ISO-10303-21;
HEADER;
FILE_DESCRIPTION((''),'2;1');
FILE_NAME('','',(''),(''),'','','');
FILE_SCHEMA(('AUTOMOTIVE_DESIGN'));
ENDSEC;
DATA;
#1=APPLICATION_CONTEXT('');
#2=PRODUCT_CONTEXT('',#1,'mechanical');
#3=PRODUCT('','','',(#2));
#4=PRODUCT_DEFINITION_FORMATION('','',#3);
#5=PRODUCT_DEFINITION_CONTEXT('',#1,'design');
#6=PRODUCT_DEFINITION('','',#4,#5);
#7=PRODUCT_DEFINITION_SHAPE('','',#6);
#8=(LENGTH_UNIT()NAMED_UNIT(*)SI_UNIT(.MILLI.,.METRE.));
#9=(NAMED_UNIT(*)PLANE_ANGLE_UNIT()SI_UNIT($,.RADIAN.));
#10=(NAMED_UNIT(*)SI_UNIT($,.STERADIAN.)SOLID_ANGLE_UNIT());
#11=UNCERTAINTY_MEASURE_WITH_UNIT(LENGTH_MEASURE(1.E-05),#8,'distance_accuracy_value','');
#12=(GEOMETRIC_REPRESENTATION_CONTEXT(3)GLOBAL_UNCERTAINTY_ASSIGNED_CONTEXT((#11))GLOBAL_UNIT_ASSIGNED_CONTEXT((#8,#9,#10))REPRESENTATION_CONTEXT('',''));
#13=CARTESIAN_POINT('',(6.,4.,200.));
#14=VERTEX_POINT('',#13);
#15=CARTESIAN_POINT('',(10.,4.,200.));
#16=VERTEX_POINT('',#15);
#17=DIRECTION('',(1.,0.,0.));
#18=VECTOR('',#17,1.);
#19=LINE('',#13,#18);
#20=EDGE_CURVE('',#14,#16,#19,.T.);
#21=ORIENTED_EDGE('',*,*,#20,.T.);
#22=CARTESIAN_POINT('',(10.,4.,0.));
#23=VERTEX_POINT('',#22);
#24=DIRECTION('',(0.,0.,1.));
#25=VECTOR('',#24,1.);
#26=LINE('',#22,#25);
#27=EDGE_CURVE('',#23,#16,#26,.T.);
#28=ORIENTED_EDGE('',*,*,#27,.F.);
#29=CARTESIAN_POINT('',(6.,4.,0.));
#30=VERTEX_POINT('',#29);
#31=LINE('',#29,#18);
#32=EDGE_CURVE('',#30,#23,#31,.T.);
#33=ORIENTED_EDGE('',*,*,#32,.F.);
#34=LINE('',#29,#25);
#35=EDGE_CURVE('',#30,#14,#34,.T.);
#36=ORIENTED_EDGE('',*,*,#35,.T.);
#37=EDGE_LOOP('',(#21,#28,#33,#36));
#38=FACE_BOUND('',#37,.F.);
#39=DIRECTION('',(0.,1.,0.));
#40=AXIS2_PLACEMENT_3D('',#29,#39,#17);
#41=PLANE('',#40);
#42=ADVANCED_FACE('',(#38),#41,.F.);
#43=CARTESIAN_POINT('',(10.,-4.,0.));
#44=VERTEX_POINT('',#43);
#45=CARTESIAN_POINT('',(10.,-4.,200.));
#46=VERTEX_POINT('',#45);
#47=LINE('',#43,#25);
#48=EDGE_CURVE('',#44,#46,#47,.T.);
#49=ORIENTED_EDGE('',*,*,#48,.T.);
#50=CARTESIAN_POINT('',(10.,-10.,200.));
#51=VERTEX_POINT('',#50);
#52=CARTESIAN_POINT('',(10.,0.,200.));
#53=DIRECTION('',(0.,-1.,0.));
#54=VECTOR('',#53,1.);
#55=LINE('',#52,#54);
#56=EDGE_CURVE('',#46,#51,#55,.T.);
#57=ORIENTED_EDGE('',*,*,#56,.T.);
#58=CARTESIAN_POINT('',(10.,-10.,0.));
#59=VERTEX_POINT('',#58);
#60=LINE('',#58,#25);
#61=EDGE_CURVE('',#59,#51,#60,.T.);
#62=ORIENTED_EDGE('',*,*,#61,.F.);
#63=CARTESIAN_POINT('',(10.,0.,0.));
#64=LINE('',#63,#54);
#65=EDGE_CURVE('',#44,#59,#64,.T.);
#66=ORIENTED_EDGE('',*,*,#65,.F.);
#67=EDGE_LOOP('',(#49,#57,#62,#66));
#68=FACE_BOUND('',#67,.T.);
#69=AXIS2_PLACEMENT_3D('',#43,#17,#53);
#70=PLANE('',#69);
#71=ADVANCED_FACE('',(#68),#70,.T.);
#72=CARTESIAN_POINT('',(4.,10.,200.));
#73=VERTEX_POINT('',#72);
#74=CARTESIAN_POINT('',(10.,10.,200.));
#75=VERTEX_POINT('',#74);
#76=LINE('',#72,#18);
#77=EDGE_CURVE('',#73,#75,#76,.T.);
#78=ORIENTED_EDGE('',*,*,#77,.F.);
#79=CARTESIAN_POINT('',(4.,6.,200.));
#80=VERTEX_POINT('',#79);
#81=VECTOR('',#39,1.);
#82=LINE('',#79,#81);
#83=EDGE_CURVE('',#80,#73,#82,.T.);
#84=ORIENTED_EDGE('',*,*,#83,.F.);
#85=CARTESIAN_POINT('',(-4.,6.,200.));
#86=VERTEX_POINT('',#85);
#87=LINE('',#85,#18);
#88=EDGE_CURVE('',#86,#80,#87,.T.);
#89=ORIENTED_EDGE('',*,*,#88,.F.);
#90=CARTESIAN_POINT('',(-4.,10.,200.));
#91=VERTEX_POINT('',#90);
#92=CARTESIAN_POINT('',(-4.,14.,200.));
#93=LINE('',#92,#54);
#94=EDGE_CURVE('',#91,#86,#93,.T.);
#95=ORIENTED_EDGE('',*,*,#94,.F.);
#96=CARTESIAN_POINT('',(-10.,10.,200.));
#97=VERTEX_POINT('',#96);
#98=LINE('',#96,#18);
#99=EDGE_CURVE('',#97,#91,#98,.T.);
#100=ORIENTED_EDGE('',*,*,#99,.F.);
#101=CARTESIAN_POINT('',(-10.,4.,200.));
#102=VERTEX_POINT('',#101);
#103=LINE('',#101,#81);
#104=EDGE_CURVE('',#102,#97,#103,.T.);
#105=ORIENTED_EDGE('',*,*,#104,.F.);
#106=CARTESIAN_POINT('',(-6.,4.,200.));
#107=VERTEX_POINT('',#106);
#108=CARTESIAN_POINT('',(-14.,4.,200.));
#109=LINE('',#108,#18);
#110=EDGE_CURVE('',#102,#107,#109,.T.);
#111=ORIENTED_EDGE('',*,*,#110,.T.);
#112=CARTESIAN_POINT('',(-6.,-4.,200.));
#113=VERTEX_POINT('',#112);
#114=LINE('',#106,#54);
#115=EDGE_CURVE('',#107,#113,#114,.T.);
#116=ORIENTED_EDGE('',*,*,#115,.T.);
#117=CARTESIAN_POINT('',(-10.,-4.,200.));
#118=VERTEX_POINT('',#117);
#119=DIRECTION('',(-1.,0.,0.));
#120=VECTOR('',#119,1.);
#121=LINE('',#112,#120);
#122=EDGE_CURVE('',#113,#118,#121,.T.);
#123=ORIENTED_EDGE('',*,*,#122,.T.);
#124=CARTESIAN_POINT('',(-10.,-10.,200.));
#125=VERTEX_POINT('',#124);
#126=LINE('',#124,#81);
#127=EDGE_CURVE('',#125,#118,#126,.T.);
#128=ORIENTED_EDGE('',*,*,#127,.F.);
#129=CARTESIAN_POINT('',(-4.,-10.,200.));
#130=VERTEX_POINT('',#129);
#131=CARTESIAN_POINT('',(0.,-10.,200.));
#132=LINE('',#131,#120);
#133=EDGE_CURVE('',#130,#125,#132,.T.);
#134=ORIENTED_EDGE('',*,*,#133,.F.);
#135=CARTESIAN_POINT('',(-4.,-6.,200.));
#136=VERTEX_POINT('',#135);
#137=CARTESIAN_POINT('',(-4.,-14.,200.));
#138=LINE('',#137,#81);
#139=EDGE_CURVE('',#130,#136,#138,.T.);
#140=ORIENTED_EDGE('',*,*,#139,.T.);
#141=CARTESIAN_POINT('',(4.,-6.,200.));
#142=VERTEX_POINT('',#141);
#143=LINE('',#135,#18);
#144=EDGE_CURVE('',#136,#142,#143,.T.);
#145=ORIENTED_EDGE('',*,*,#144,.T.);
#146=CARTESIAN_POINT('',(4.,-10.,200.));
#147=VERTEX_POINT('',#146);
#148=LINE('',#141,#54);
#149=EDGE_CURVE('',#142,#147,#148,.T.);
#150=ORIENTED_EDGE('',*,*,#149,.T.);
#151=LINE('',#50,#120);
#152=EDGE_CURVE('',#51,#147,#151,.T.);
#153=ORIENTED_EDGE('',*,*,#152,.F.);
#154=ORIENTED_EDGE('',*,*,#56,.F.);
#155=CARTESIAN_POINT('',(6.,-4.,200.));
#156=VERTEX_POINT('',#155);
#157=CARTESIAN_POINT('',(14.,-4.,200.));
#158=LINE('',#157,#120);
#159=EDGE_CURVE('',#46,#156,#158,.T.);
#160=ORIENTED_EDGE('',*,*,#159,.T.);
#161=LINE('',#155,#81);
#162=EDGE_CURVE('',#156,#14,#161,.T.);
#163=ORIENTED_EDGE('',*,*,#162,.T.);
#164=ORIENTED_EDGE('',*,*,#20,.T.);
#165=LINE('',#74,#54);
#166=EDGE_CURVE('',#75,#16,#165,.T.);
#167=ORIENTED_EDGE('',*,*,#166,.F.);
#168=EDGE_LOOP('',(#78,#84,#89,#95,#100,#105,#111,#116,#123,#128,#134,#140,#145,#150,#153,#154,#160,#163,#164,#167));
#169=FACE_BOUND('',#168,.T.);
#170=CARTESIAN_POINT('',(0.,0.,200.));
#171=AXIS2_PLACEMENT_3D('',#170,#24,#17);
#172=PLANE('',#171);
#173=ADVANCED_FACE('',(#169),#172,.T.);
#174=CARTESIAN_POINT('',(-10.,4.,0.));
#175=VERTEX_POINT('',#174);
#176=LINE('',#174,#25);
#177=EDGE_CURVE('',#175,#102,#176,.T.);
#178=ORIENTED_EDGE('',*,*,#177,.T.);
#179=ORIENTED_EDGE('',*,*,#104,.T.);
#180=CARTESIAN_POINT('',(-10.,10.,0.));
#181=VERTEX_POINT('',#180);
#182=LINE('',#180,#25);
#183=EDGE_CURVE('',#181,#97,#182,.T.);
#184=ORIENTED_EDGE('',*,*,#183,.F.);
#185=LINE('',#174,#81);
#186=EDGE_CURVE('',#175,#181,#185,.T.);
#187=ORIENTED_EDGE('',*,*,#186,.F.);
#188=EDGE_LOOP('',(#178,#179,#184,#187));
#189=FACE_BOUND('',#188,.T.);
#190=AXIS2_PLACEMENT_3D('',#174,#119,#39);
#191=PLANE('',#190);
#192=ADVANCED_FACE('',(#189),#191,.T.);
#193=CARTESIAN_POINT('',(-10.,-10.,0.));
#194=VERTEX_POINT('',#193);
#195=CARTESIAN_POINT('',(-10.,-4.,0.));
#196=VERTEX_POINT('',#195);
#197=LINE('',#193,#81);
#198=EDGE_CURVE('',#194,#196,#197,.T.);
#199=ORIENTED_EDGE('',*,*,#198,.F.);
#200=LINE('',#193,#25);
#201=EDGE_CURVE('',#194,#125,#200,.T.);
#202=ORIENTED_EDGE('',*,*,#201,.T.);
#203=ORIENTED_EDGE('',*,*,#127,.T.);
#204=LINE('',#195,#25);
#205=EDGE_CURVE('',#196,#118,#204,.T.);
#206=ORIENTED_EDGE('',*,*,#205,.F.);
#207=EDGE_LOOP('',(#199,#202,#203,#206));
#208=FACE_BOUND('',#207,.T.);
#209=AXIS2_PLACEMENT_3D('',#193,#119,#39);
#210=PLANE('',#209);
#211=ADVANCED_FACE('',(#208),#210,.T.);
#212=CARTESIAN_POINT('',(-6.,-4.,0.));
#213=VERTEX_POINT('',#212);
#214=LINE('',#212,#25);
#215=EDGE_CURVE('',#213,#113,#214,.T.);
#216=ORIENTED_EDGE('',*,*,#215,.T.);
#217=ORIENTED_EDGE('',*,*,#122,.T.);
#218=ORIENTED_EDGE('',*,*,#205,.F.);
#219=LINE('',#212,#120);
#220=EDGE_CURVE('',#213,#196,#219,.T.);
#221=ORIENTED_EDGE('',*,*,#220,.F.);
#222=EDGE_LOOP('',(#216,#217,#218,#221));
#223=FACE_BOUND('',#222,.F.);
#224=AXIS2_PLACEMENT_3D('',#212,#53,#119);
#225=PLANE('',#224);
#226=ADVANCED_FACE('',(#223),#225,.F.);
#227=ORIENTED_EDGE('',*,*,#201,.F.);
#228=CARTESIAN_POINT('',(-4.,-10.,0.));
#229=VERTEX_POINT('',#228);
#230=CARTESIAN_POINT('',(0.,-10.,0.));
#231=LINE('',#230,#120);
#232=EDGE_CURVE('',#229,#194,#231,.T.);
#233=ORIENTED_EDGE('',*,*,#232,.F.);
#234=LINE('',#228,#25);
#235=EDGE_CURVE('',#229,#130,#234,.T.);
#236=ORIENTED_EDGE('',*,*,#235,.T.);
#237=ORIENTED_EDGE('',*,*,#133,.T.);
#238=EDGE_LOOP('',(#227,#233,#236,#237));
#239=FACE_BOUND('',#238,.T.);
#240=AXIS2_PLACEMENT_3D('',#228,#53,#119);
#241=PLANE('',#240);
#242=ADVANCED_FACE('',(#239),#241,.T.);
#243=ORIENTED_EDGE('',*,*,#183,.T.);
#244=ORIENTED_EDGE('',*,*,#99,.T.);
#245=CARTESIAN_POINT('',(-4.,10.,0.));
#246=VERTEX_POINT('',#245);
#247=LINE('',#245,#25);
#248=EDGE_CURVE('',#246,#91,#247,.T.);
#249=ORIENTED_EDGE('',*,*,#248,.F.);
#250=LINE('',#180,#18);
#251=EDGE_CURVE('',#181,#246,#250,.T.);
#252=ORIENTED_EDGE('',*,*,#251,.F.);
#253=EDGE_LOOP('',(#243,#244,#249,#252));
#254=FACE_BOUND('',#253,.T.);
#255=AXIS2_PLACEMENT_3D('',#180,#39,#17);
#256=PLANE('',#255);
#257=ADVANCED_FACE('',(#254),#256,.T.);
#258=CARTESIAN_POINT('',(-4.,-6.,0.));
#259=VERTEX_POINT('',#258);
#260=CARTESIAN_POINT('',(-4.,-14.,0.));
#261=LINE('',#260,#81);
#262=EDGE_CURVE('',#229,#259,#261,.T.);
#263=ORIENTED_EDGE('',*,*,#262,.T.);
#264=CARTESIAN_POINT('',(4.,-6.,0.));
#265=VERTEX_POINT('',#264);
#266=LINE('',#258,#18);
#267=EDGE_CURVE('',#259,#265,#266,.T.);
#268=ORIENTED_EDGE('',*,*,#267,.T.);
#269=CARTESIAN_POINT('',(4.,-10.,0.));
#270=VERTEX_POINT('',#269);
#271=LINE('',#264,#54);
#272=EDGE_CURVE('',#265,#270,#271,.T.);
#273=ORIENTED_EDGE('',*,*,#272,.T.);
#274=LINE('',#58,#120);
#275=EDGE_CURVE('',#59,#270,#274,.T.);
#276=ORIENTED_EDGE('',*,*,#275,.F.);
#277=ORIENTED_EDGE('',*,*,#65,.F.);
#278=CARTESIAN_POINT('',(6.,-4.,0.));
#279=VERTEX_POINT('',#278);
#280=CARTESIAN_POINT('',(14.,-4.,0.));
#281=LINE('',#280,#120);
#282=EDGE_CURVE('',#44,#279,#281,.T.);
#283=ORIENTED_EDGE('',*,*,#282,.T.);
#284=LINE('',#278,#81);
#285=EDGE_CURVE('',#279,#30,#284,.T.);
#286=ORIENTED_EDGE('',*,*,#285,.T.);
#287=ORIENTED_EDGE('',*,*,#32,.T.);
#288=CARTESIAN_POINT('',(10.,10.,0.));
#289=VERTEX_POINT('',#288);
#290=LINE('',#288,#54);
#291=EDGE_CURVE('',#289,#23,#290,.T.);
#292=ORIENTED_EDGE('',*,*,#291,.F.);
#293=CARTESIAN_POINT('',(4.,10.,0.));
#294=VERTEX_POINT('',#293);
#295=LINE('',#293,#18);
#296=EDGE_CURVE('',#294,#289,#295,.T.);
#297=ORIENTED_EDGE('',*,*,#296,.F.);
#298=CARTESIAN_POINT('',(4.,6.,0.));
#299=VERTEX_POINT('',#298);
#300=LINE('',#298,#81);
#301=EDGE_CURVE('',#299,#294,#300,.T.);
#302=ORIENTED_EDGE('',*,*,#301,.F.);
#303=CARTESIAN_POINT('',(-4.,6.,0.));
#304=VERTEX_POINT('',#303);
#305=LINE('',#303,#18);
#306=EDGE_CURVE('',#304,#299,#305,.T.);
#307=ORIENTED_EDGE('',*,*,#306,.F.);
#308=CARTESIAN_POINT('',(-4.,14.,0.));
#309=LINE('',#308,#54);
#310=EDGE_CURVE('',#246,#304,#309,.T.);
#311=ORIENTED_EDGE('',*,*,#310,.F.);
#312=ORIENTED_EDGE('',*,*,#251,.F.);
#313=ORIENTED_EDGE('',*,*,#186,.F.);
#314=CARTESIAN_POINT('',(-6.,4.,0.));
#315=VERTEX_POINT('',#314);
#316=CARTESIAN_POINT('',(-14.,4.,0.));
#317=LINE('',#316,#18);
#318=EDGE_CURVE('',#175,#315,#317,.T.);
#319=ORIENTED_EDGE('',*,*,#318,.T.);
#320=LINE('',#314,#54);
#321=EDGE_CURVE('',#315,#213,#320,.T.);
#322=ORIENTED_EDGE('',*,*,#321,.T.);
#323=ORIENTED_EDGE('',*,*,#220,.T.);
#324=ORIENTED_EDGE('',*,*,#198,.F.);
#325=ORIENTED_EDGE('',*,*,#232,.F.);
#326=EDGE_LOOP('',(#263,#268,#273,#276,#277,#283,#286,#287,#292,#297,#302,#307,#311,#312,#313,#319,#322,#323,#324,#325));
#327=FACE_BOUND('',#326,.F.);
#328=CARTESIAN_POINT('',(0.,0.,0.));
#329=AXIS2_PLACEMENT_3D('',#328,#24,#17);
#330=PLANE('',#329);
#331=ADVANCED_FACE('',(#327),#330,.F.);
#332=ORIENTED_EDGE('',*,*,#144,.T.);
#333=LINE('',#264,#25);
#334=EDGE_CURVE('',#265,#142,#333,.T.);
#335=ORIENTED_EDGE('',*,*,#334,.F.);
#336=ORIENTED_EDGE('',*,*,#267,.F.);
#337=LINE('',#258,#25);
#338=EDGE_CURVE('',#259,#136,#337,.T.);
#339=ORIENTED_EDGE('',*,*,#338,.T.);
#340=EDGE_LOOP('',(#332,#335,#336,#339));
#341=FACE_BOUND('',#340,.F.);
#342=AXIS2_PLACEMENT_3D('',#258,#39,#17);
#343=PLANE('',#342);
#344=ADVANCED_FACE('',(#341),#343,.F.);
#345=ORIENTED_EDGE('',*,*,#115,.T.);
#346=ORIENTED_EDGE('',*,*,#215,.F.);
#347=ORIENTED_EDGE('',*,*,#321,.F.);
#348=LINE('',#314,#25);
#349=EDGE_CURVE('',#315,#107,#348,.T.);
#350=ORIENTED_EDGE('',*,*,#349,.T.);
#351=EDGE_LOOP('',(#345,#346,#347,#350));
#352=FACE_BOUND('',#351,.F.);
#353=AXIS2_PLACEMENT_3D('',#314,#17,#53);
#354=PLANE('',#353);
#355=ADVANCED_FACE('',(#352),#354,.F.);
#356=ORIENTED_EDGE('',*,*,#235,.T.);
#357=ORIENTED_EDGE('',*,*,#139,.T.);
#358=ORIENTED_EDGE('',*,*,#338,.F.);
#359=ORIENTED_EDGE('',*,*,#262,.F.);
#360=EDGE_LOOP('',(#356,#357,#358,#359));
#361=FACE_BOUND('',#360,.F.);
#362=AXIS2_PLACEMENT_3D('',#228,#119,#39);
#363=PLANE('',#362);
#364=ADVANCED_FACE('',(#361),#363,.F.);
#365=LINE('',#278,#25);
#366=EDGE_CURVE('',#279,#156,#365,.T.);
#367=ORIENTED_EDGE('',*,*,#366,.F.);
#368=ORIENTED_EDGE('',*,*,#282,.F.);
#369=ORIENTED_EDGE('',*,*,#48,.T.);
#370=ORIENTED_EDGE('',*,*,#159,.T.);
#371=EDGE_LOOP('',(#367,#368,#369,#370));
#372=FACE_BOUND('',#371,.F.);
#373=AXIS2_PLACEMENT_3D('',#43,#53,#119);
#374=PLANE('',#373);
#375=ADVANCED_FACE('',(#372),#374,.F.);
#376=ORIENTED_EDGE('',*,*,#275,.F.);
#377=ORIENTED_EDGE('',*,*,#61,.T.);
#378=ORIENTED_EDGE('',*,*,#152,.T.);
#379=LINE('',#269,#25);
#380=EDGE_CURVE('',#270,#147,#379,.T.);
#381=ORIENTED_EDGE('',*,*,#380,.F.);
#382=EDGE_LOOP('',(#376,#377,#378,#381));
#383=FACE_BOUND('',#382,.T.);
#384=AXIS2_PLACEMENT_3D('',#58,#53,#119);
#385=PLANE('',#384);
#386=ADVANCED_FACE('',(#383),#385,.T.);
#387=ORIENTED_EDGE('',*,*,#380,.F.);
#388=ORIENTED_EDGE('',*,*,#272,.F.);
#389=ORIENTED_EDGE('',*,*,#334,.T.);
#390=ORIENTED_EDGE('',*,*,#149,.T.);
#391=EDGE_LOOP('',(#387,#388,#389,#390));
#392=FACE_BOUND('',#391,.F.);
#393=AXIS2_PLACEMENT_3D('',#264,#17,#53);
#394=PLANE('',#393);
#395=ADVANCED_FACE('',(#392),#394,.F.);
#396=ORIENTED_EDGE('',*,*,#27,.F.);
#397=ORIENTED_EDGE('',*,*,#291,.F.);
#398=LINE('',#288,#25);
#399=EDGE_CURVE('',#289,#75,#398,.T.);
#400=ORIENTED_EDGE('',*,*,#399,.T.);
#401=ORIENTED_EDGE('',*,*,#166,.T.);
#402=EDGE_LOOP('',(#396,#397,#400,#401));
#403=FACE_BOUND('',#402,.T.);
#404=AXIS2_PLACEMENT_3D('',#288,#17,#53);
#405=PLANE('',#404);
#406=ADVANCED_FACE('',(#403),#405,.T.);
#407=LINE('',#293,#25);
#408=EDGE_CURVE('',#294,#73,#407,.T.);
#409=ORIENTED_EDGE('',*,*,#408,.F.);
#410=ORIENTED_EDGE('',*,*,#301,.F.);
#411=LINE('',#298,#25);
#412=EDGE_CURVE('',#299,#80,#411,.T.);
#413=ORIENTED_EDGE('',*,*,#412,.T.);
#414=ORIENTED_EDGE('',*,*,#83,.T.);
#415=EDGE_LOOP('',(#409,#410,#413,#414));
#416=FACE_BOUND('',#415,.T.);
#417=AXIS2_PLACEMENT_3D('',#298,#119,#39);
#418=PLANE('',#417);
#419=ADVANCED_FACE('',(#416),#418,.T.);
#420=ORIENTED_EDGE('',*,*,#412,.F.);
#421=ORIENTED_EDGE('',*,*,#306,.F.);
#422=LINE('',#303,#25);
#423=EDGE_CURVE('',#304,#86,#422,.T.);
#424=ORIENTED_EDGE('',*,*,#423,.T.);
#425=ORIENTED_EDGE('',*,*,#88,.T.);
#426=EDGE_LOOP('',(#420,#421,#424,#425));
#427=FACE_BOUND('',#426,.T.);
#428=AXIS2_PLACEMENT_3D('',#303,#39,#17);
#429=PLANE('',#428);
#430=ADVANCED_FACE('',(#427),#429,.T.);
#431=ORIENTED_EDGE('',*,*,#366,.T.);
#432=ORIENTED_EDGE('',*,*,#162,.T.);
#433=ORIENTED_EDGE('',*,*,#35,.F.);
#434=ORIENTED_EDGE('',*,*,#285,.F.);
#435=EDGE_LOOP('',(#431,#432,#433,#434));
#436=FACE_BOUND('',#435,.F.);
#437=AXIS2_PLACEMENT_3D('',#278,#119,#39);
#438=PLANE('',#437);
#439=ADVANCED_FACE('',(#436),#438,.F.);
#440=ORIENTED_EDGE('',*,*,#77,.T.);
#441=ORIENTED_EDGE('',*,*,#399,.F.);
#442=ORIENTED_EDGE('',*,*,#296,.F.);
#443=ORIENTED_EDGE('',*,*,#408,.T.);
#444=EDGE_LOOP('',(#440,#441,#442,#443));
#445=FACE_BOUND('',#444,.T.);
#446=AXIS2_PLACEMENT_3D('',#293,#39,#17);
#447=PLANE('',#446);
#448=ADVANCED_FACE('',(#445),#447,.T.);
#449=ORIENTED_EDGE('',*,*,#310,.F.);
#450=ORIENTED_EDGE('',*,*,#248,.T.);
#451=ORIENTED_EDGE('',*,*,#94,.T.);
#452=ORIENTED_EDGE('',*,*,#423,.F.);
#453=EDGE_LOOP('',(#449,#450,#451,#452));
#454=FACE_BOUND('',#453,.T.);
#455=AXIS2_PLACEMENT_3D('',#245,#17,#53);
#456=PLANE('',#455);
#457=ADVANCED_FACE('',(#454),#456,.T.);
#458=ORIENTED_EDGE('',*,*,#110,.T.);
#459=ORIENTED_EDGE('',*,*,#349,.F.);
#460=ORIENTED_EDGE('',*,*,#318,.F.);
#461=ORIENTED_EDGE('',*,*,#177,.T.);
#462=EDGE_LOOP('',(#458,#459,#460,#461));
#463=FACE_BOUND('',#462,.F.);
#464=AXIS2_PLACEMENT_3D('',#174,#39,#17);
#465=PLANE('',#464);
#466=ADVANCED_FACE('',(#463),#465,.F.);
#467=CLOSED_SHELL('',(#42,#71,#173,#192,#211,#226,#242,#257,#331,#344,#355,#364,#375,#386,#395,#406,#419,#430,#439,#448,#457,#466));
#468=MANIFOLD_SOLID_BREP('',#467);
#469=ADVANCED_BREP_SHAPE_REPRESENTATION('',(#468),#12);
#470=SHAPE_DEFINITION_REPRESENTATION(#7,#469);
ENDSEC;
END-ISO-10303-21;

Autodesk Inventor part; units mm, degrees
ref_plane "YZ Plane" through (0, 0, 0) normal (1, 0, 0) x (0, 1, 0)
ref_plane "XZ Plane" through (0, 0, 0) normal (0, 1, 0) x (-1, 0, 0)
ref_plane "XY Plane" through (0, 0, 0) normal (0, 0, 1) x (1, 0, 0)
sketch "Sketch1" plane through (0, 0, 0) normal (0, 0, 1) x (1, 0, 0)
  line L0 (10, -10) -> (-10, 10) construction
  line L1 (-10, -10) -> (10, 10) construction
  line L2 (-4, 6) -> (4, 6)
  line L3 (4, 6) -> (4, 14)
  line L4 (4, 14) -> (-4, 14)
  line L5 (-4, 14) -> (-4, 6)
  line L6 (-4, 6) -> (4, 14) construction
  line L7 (4, 6) -> (-4, 14) construction
  line L8 (14, -4) -> (6, -4)
  line L9 (6, -4) -> (6, 4)
  line L10 (6, 4) -> (14, 4)
  line L11 (14, 4) -> (14, -4)
  line L12 (14, -4) -> (6, 4) construction
  line L13 (6, -4) -> (14, 4) construction
  line L14 (-4, -6) -> (4, -6)
  line L15 (4, -6) -> (4, -14)
  line L16 (4, -14) -> (-4, -14)
  line L17 (-4, -14) -> (-4, -6)
  line L18 (-4, -6) -> (4, -14) construction
  line L19 (4, -6) -> (-4, -14) construction
  line L20 (-14, 4) -> (-6, 4)
  line L21 (-6, 4) -> (-6, -4)
  line L22 (-6, -4) -> (-14, -4)
  line L23 (-14, -4) -> (-14, 4)
  line L24 (-14, 4) -> (-6, -4) construction
  line L25 (-6, 4) -> (-14, -4) construction
  line L26 (-10, -10) -> (-10, 0)
  line L27 (-10, 4) -> (-10, 10)
  line L28 (-10, 10) -> (0, 10)
  line L29 (4, 10) -> (10, 10)
  line L30 (10, 10) -> (10, 4)
  line L31 (10, 0) -> (10, -10)
  line L32 (10, -10) -> (4, -10)
  line L33 (0, -10) -> (-10, -10)
  point P0 (0, 0)
  point P1 (-4, 10)
  point P2 (10, -4)
  point P3 (-4, -10)
  point P4 (-10, -4)
  dimension "d0" = 20
  dimension "d1" = 20
  dimension "d2" = 8
  dimension "d3" = 8
  dimension "d4" = 8
  dimension "d5" = 8
  dimension "d6" = 8
  dimension "d7" = 8
  dimension "d8" = 8
  dimension "d9" = 8
extrude "Extrusion1" add sketch "Sketch1" along normal blind 200 contours L2 L3 L29 L30 L10 L9 L8 L31 L32 L15 L14 L17 L33 L26 L22 L21 L20 L27 L28 L5
ref_plane "Work Plane1" through (4, 0, 0) normal (0, 1, 0) x (1, 0, 0)
ref_plane "Work Plane2" through (0, -10, 0) normal (1, 0, 0) x (0, 0, -1)
properties part number "Neje_Base_Rod_20mm"
